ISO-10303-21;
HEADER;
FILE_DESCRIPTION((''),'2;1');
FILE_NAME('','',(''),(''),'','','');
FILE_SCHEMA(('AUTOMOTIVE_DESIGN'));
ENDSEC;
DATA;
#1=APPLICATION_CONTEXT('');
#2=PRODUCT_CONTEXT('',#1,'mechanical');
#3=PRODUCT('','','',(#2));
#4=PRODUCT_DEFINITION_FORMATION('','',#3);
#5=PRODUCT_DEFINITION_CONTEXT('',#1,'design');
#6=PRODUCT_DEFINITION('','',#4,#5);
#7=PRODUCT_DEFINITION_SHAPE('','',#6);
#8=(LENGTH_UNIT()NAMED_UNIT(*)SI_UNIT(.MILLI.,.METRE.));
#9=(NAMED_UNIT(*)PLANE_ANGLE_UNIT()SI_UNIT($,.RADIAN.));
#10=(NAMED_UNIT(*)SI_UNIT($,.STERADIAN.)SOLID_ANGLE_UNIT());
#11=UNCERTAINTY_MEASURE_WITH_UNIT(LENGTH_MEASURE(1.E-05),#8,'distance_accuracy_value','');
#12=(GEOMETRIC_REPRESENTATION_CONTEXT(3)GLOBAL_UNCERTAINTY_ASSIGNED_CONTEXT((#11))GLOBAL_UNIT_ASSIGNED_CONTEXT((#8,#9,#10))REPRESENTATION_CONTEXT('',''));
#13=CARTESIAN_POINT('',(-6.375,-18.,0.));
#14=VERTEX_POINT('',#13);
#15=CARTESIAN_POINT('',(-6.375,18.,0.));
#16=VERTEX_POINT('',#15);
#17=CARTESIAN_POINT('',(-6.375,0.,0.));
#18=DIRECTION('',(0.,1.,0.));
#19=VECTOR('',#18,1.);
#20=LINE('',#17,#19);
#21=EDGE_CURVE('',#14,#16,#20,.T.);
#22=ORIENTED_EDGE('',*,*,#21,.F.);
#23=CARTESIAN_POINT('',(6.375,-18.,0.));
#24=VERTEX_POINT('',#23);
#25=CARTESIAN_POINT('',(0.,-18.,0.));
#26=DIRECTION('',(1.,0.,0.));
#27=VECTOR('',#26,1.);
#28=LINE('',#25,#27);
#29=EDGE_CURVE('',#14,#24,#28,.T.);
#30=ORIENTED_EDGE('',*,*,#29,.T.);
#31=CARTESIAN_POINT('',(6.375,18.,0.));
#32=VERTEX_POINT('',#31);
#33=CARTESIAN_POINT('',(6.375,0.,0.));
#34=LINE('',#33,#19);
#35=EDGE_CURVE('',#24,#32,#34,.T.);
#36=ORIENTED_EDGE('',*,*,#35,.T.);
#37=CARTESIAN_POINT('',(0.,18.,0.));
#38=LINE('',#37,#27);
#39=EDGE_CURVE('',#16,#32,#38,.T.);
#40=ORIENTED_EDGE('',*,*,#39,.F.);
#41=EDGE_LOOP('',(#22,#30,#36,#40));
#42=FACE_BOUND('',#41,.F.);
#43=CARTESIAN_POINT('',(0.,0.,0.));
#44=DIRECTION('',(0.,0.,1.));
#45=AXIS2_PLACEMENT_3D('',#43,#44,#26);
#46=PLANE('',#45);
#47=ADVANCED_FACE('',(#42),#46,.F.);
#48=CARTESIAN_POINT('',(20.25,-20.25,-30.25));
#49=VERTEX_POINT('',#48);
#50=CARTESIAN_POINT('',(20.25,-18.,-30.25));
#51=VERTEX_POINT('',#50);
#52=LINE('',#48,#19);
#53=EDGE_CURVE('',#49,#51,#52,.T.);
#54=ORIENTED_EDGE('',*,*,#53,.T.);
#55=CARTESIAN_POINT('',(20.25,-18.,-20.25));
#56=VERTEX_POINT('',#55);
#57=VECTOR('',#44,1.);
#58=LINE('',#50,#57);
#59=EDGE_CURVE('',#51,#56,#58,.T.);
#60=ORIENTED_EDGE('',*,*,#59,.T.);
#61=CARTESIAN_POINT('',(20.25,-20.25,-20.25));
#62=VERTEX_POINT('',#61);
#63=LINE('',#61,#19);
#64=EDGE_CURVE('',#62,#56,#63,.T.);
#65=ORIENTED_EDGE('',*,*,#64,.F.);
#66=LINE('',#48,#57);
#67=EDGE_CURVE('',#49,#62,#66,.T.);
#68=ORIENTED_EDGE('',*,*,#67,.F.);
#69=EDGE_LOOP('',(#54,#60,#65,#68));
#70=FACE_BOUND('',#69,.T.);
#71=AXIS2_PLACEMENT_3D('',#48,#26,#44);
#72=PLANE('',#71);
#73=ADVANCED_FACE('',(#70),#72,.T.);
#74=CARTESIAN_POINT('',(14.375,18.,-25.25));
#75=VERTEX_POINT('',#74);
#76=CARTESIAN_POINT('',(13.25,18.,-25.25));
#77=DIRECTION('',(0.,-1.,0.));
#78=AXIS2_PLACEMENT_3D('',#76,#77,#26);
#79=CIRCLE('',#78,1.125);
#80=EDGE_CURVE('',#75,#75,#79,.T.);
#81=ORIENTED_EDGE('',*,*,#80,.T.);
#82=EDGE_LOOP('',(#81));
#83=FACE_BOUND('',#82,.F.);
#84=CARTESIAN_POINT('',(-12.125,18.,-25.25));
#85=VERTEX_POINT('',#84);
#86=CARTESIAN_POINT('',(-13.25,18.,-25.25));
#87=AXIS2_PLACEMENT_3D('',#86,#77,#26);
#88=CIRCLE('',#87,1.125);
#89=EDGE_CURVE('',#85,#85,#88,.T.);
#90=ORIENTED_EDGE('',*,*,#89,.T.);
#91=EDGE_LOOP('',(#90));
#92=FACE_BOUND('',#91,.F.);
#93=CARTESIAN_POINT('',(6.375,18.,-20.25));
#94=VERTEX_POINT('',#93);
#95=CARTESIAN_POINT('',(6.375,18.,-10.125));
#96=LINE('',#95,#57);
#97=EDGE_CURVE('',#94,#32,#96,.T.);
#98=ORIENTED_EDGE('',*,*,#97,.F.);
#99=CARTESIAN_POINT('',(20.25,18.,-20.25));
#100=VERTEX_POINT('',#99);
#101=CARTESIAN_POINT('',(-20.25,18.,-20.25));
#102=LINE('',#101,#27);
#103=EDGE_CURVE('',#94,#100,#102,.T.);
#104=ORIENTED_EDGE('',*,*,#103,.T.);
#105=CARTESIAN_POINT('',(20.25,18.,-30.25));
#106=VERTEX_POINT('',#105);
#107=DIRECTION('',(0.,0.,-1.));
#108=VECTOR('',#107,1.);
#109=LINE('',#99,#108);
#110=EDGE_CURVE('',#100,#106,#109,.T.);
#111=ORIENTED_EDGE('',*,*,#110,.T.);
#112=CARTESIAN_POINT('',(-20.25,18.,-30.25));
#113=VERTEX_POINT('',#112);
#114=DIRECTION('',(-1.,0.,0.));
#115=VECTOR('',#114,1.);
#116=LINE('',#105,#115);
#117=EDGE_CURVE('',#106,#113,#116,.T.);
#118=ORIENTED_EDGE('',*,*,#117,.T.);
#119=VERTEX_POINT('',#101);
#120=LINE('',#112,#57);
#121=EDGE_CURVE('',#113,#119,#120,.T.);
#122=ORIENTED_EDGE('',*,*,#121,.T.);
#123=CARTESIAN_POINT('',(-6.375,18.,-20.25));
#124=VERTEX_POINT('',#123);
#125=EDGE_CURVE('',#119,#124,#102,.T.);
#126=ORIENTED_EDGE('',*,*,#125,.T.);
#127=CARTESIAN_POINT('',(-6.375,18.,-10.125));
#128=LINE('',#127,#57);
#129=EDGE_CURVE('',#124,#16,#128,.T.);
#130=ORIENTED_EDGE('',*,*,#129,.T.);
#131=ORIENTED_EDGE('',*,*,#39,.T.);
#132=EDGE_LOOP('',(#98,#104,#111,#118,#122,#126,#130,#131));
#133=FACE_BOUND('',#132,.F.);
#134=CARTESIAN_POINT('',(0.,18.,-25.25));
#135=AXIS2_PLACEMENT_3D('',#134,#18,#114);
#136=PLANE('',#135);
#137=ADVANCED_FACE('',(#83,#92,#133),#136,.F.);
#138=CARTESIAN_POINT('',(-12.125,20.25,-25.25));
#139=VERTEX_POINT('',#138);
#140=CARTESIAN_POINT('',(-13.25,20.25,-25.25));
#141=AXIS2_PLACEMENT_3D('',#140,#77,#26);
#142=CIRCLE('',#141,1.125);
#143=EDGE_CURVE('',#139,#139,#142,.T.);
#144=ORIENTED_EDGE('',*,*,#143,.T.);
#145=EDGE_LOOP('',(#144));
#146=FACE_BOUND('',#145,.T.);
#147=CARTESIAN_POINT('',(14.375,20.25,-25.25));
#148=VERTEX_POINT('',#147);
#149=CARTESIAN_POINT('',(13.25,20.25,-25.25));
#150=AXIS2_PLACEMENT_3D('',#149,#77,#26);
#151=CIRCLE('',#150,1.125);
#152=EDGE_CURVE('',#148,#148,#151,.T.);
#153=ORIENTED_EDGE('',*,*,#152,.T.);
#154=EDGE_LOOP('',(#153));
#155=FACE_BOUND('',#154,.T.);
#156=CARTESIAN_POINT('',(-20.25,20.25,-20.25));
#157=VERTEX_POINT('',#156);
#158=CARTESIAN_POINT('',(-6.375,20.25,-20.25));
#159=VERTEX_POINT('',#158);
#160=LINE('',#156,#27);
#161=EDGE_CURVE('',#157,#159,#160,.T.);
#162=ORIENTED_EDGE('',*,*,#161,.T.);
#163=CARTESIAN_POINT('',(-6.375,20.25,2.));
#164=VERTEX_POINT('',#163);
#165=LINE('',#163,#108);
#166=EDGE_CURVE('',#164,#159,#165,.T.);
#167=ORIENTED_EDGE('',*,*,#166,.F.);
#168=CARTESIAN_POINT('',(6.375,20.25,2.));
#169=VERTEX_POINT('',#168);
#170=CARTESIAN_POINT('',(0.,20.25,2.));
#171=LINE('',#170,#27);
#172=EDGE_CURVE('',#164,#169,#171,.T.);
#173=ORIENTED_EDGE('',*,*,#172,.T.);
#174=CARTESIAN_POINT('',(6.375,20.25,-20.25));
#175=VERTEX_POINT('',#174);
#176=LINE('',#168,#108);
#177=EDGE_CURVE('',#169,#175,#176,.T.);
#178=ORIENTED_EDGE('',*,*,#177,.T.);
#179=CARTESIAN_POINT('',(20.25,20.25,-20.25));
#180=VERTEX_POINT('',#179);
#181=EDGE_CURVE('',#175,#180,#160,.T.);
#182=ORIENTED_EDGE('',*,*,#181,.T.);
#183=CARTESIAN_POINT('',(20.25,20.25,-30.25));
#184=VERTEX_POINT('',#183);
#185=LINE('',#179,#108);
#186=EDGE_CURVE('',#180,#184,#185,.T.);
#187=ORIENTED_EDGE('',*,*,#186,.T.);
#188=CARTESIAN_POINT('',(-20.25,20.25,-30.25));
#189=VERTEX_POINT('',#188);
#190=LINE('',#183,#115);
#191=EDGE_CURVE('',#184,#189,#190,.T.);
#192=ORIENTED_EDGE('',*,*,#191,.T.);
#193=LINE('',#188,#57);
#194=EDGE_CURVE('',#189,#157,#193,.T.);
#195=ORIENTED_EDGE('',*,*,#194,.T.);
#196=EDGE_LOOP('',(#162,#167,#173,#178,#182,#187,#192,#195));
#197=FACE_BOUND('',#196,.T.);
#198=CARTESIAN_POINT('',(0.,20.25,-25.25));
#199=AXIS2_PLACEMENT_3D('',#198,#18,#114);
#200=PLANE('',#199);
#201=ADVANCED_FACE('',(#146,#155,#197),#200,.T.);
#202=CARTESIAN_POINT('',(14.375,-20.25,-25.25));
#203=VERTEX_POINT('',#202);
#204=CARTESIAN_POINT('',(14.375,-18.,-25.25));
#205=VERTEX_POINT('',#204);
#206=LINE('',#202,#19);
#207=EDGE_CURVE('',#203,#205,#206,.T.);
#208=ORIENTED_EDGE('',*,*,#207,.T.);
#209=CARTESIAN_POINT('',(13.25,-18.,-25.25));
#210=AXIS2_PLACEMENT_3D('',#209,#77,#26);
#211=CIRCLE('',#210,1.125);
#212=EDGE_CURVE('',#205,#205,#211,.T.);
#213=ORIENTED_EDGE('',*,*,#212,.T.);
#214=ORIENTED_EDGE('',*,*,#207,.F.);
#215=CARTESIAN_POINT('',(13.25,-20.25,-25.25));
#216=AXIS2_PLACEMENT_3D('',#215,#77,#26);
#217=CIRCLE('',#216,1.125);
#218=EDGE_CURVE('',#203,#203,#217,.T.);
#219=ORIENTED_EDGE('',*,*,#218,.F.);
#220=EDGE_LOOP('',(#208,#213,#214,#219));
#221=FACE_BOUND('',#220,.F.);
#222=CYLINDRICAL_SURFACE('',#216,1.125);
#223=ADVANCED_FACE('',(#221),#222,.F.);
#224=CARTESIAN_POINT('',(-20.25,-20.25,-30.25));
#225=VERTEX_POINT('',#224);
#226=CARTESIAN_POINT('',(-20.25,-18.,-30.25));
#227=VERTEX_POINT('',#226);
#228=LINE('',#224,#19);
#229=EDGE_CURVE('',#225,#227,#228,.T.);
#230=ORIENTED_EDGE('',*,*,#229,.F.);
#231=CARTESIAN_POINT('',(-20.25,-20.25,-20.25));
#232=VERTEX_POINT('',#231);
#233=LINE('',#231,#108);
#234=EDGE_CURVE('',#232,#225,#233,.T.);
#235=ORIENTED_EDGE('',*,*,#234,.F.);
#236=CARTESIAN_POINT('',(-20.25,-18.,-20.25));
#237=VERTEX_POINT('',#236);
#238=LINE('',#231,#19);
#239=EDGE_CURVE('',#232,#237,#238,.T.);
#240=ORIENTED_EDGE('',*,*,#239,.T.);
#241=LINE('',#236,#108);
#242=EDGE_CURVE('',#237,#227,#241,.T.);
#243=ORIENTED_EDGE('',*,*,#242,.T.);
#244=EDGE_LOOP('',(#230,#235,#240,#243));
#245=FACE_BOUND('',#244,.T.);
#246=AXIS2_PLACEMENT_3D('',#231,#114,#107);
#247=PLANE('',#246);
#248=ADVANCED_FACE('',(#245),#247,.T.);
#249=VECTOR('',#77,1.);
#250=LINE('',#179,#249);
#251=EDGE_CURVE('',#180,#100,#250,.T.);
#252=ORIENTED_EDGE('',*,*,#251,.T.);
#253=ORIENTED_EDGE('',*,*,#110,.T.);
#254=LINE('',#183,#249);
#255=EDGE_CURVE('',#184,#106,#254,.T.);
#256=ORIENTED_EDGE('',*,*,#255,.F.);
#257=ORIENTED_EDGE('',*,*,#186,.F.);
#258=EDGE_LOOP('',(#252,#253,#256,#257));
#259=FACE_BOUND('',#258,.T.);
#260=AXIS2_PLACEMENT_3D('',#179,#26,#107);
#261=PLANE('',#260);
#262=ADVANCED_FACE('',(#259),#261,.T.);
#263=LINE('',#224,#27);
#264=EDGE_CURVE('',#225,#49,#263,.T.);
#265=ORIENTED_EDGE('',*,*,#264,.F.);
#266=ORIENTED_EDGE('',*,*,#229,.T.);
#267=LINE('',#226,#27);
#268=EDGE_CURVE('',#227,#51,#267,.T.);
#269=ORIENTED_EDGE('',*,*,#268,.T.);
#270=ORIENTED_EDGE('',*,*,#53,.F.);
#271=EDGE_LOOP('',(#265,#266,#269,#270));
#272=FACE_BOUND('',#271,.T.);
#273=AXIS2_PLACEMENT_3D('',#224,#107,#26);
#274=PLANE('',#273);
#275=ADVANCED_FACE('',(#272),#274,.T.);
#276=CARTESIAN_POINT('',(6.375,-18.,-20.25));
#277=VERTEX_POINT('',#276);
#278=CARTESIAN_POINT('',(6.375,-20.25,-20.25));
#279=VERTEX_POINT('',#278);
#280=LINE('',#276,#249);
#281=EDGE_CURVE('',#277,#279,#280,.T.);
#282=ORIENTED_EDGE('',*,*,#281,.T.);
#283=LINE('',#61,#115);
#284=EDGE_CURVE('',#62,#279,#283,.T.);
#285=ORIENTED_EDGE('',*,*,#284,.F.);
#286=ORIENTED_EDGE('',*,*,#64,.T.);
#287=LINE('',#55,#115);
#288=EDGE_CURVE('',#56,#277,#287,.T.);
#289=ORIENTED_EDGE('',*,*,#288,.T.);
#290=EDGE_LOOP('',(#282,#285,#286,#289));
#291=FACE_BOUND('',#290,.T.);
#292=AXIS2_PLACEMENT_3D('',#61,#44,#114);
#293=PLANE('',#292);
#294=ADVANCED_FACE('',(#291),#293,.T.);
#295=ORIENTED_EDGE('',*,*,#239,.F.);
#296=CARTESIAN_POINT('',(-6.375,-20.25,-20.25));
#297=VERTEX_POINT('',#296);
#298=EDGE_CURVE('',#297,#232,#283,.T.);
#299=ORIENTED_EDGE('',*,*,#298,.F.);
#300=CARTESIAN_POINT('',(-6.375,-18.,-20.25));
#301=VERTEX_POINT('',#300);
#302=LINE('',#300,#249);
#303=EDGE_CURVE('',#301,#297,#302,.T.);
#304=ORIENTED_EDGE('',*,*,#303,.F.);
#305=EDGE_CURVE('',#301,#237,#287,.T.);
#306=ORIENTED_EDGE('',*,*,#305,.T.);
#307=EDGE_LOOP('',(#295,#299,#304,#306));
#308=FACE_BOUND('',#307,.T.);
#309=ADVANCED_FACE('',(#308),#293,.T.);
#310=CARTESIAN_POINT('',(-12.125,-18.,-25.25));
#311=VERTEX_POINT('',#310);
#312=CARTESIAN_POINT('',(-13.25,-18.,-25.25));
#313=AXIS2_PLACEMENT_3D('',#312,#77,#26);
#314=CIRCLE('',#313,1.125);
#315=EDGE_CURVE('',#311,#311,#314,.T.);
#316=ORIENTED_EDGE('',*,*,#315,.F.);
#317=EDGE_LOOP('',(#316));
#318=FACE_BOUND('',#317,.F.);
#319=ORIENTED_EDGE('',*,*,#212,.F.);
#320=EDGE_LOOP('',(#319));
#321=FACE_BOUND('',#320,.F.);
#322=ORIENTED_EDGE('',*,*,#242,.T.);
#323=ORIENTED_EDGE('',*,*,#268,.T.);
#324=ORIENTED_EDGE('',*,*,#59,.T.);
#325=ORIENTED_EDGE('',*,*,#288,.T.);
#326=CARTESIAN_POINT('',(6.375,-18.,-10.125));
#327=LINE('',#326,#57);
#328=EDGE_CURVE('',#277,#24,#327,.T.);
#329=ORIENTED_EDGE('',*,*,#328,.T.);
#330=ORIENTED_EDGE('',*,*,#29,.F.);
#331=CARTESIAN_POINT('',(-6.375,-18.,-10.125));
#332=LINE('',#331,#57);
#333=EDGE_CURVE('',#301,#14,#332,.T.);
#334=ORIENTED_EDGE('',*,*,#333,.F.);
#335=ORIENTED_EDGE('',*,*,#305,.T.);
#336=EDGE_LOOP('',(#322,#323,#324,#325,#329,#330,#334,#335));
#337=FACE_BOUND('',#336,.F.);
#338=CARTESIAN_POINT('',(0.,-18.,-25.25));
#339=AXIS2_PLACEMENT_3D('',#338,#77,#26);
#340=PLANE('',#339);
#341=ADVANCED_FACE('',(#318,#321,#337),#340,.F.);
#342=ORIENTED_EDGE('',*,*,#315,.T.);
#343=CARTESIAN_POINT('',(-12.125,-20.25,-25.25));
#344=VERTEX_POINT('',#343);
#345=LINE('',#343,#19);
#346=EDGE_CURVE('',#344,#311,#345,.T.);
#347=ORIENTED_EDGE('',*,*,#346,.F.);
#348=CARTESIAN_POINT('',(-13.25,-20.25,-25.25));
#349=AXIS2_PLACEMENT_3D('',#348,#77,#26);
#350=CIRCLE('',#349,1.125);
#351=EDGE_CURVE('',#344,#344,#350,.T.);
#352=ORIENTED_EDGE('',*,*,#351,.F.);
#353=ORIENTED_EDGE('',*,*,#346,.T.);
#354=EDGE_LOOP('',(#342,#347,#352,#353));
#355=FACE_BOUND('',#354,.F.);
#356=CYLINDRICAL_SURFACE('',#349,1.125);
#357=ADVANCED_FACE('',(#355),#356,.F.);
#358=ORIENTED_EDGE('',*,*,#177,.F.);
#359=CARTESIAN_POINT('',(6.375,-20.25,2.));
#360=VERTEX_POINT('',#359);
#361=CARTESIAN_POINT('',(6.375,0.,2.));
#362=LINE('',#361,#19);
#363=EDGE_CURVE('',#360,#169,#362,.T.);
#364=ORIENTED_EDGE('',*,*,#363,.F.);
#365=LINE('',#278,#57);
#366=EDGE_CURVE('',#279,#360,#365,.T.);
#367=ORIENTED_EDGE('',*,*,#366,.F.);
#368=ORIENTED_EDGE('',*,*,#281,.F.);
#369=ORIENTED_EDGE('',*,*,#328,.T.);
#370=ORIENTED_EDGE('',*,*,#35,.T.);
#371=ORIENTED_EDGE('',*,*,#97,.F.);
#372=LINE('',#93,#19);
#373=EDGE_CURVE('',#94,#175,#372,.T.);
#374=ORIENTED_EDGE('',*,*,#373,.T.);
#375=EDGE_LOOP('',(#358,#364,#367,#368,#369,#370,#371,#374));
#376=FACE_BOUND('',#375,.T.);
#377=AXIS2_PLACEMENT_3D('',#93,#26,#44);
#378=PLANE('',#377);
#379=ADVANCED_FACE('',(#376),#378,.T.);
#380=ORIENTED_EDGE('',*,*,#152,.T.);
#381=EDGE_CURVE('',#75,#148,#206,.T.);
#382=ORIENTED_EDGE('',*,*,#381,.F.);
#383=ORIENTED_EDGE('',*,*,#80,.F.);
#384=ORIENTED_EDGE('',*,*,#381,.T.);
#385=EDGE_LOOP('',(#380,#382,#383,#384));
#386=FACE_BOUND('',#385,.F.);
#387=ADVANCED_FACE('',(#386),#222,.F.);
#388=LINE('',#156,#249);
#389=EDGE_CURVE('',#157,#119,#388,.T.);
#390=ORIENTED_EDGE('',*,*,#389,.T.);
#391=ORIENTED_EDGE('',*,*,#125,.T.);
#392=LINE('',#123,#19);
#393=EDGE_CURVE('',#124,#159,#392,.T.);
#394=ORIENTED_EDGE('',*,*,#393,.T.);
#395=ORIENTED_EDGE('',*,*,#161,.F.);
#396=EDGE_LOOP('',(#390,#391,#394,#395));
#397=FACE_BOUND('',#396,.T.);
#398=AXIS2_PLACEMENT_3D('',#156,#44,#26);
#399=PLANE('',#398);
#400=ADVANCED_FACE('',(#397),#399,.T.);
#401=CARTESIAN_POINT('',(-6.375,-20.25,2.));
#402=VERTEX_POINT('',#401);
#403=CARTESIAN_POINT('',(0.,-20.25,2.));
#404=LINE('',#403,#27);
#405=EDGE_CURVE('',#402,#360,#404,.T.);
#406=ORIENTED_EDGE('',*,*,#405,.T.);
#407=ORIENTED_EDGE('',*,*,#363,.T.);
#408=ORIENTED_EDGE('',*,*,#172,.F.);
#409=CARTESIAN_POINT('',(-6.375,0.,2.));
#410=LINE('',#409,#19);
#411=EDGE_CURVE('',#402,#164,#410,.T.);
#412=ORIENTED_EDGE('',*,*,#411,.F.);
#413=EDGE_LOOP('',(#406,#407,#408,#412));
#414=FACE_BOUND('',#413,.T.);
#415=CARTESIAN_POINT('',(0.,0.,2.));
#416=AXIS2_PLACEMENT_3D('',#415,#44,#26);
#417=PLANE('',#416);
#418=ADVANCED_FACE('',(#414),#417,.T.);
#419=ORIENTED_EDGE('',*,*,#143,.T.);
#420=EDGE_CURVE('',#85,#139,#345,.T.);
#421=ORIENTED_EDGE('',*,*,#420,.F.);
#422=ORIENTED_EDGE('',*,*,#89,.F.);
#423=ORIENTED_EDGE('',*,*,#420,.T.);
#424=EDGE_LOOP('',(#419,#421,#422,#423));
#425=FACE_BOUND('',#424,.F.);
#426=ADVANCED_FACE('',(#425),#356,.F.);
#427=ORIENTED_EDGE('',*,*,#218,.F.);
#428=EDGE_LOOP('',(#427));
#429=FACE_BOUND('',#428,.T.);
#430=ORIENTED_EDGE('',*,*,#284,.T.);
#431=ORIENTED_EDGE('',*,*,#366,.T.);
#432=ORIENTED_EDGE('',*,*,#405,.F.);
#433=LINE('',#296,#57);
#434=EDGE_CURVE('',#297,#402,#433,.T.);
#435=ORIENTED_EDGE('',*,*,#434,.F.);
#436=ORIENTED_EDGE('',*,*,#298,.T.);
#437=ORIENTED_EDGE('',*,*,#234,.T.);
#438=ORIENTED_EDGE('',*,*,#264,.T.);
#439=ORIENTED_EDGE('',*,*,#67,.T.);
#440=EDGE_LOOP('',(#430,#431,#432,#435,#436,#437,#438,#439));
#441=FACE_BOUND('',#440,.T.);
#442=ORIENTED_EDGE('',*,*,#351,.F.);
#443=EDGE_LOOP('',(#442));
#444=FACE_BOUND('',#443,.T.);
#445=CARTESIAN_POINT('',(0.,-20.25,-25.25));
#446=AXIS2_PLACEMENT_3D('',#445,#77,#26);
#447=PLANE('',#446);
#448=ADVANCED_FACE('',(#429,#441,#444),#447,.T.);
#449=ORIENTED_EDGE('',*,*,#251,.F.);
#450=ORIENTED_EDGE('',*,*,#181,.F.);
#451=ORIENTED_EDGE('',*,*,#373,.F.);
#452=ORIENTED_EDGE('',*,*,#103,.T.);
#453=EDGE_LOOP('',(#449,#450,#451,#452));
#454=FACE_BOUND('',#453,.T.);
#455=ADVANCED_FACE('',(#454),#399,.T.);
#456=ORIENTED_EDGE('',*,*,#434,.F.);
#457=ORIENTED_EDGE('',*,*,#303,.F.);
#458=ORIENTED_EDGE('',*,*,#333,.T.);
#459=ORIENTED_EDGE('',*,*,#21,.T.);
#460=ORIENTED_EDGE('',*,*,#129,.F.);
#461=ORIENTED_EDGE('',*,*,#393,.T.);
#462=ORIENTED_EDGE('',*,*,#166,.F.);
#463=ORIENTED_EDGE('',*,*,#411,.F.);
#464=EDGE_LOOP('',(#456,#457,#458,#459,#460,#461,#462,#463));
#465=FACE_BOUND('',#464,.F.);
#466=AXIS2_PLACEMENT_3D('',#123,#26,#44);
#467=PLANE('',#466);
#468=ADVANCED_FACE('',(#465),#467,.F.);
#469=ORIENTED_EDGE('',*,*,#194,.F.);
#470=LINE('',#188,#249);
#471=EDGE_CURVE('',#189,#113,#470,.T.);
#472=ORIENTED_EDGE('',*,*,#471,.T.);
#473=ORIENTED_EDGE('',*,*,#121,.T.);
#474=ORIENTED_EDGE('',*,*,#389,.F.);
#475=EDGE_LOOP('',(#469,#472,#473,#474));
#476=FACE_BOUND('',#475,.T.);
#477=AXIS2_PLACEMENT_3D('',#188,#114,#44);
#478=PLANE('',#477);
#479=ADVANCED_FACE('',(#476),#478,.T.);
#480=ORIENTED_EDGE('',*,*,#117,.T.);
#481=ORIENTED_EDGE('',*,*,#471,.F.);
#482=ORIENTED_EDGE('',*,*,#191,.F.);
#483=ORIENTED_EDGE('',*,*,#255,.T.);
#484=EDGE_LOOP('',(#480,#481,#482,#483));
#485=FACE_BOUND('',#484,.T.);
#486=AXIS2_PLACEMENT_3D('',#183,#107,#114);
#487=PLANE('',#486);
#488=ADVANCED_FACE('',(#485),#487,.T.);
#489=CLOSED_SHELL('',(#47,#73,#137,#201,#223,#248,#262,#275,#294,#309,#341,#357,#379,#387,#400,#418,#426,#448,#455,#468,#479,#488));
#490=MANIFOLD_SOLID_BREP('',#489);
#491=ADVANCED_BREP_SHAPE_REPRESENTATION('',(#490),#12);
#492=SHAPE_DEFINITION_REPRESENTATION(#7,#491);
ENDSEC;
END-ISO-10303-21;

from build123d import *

# Parameters (mm, degrees)
F0_W      = 12.75
F0_H      = 40.5
F2_DEPTH  = 2
F3_START  = 18
F1_W      = 12.75
F1_H      = 20.25
F3_DEPTH  = 2.25
F4_START  = -18
F4_DEPTH  = 2.25
F6_DEPTH  = 2.25
F8_DEPTH  = 2.25
F9_R      = 1.125
F10_DEPTH = 40.501


with BuildPart() as f2:
    # F0 (on Top) → F2 (new body)
    with BuildSketch(Plane.XY):
        Rectangle(F0_W, F0_H)
    extrude(amount=F2_DEPTH)

    # F1 (on Front) → F3 (join)
    with BuildSketch(Plane.XZ.offset(F3_START)):
        with Locations((0, -10.125)):
            Rectangle(F1_W, F1_H)
    extrude(amount=F3_DEPTH)

    # F1 (on Front) → F4 (join)
    with BuildSketch(Plane.XZ.offset(F4_START)):
        with Locations((0, -10.125)):
            Rectangle(F1_W, F1_H)
    extrude(amount=-F4_DEPTH)

    # F5 (on face) → F6 (join, through all)
    with BuildSketch(Plane(origin=(0, 20.25, 0), x_dir=(-1, 0, 0), z_dir=(0, 1, 0))):
        Polygon((-6.375, -20.25), (-20.25, -20.25), (-20.25, -30.25), (20.25, -30.25), (20.25, -20.25), (6.375, -20.25), align=None)
    extrude(amount=-F6_DEPTH)

    # F7 (on face) → F8 (join, through all)
    with BuildSketch(Plane.XZ.offset(20.25)):
        Polygon((0, -20.25), (-20.25, -20.25), (-20.25, -30.25), (20.25, -30.25), (20.25, -20.25), align=None)
    extrude(amount=-F8_DEPTH)

    # F9 (on face) → F10 (cut, through all)
    with BuildSketch(Plane.XZ.offset(20.25)):
        with Locations((-13.25, -25.25)):
            Circle(F9_R)
        with Locations((13.25, -25.25)):
            Circle(F9_R)
    extrude(amount=-F10_DEPTH, mode=Mode.SUBTRACT)


solid = f2.part
